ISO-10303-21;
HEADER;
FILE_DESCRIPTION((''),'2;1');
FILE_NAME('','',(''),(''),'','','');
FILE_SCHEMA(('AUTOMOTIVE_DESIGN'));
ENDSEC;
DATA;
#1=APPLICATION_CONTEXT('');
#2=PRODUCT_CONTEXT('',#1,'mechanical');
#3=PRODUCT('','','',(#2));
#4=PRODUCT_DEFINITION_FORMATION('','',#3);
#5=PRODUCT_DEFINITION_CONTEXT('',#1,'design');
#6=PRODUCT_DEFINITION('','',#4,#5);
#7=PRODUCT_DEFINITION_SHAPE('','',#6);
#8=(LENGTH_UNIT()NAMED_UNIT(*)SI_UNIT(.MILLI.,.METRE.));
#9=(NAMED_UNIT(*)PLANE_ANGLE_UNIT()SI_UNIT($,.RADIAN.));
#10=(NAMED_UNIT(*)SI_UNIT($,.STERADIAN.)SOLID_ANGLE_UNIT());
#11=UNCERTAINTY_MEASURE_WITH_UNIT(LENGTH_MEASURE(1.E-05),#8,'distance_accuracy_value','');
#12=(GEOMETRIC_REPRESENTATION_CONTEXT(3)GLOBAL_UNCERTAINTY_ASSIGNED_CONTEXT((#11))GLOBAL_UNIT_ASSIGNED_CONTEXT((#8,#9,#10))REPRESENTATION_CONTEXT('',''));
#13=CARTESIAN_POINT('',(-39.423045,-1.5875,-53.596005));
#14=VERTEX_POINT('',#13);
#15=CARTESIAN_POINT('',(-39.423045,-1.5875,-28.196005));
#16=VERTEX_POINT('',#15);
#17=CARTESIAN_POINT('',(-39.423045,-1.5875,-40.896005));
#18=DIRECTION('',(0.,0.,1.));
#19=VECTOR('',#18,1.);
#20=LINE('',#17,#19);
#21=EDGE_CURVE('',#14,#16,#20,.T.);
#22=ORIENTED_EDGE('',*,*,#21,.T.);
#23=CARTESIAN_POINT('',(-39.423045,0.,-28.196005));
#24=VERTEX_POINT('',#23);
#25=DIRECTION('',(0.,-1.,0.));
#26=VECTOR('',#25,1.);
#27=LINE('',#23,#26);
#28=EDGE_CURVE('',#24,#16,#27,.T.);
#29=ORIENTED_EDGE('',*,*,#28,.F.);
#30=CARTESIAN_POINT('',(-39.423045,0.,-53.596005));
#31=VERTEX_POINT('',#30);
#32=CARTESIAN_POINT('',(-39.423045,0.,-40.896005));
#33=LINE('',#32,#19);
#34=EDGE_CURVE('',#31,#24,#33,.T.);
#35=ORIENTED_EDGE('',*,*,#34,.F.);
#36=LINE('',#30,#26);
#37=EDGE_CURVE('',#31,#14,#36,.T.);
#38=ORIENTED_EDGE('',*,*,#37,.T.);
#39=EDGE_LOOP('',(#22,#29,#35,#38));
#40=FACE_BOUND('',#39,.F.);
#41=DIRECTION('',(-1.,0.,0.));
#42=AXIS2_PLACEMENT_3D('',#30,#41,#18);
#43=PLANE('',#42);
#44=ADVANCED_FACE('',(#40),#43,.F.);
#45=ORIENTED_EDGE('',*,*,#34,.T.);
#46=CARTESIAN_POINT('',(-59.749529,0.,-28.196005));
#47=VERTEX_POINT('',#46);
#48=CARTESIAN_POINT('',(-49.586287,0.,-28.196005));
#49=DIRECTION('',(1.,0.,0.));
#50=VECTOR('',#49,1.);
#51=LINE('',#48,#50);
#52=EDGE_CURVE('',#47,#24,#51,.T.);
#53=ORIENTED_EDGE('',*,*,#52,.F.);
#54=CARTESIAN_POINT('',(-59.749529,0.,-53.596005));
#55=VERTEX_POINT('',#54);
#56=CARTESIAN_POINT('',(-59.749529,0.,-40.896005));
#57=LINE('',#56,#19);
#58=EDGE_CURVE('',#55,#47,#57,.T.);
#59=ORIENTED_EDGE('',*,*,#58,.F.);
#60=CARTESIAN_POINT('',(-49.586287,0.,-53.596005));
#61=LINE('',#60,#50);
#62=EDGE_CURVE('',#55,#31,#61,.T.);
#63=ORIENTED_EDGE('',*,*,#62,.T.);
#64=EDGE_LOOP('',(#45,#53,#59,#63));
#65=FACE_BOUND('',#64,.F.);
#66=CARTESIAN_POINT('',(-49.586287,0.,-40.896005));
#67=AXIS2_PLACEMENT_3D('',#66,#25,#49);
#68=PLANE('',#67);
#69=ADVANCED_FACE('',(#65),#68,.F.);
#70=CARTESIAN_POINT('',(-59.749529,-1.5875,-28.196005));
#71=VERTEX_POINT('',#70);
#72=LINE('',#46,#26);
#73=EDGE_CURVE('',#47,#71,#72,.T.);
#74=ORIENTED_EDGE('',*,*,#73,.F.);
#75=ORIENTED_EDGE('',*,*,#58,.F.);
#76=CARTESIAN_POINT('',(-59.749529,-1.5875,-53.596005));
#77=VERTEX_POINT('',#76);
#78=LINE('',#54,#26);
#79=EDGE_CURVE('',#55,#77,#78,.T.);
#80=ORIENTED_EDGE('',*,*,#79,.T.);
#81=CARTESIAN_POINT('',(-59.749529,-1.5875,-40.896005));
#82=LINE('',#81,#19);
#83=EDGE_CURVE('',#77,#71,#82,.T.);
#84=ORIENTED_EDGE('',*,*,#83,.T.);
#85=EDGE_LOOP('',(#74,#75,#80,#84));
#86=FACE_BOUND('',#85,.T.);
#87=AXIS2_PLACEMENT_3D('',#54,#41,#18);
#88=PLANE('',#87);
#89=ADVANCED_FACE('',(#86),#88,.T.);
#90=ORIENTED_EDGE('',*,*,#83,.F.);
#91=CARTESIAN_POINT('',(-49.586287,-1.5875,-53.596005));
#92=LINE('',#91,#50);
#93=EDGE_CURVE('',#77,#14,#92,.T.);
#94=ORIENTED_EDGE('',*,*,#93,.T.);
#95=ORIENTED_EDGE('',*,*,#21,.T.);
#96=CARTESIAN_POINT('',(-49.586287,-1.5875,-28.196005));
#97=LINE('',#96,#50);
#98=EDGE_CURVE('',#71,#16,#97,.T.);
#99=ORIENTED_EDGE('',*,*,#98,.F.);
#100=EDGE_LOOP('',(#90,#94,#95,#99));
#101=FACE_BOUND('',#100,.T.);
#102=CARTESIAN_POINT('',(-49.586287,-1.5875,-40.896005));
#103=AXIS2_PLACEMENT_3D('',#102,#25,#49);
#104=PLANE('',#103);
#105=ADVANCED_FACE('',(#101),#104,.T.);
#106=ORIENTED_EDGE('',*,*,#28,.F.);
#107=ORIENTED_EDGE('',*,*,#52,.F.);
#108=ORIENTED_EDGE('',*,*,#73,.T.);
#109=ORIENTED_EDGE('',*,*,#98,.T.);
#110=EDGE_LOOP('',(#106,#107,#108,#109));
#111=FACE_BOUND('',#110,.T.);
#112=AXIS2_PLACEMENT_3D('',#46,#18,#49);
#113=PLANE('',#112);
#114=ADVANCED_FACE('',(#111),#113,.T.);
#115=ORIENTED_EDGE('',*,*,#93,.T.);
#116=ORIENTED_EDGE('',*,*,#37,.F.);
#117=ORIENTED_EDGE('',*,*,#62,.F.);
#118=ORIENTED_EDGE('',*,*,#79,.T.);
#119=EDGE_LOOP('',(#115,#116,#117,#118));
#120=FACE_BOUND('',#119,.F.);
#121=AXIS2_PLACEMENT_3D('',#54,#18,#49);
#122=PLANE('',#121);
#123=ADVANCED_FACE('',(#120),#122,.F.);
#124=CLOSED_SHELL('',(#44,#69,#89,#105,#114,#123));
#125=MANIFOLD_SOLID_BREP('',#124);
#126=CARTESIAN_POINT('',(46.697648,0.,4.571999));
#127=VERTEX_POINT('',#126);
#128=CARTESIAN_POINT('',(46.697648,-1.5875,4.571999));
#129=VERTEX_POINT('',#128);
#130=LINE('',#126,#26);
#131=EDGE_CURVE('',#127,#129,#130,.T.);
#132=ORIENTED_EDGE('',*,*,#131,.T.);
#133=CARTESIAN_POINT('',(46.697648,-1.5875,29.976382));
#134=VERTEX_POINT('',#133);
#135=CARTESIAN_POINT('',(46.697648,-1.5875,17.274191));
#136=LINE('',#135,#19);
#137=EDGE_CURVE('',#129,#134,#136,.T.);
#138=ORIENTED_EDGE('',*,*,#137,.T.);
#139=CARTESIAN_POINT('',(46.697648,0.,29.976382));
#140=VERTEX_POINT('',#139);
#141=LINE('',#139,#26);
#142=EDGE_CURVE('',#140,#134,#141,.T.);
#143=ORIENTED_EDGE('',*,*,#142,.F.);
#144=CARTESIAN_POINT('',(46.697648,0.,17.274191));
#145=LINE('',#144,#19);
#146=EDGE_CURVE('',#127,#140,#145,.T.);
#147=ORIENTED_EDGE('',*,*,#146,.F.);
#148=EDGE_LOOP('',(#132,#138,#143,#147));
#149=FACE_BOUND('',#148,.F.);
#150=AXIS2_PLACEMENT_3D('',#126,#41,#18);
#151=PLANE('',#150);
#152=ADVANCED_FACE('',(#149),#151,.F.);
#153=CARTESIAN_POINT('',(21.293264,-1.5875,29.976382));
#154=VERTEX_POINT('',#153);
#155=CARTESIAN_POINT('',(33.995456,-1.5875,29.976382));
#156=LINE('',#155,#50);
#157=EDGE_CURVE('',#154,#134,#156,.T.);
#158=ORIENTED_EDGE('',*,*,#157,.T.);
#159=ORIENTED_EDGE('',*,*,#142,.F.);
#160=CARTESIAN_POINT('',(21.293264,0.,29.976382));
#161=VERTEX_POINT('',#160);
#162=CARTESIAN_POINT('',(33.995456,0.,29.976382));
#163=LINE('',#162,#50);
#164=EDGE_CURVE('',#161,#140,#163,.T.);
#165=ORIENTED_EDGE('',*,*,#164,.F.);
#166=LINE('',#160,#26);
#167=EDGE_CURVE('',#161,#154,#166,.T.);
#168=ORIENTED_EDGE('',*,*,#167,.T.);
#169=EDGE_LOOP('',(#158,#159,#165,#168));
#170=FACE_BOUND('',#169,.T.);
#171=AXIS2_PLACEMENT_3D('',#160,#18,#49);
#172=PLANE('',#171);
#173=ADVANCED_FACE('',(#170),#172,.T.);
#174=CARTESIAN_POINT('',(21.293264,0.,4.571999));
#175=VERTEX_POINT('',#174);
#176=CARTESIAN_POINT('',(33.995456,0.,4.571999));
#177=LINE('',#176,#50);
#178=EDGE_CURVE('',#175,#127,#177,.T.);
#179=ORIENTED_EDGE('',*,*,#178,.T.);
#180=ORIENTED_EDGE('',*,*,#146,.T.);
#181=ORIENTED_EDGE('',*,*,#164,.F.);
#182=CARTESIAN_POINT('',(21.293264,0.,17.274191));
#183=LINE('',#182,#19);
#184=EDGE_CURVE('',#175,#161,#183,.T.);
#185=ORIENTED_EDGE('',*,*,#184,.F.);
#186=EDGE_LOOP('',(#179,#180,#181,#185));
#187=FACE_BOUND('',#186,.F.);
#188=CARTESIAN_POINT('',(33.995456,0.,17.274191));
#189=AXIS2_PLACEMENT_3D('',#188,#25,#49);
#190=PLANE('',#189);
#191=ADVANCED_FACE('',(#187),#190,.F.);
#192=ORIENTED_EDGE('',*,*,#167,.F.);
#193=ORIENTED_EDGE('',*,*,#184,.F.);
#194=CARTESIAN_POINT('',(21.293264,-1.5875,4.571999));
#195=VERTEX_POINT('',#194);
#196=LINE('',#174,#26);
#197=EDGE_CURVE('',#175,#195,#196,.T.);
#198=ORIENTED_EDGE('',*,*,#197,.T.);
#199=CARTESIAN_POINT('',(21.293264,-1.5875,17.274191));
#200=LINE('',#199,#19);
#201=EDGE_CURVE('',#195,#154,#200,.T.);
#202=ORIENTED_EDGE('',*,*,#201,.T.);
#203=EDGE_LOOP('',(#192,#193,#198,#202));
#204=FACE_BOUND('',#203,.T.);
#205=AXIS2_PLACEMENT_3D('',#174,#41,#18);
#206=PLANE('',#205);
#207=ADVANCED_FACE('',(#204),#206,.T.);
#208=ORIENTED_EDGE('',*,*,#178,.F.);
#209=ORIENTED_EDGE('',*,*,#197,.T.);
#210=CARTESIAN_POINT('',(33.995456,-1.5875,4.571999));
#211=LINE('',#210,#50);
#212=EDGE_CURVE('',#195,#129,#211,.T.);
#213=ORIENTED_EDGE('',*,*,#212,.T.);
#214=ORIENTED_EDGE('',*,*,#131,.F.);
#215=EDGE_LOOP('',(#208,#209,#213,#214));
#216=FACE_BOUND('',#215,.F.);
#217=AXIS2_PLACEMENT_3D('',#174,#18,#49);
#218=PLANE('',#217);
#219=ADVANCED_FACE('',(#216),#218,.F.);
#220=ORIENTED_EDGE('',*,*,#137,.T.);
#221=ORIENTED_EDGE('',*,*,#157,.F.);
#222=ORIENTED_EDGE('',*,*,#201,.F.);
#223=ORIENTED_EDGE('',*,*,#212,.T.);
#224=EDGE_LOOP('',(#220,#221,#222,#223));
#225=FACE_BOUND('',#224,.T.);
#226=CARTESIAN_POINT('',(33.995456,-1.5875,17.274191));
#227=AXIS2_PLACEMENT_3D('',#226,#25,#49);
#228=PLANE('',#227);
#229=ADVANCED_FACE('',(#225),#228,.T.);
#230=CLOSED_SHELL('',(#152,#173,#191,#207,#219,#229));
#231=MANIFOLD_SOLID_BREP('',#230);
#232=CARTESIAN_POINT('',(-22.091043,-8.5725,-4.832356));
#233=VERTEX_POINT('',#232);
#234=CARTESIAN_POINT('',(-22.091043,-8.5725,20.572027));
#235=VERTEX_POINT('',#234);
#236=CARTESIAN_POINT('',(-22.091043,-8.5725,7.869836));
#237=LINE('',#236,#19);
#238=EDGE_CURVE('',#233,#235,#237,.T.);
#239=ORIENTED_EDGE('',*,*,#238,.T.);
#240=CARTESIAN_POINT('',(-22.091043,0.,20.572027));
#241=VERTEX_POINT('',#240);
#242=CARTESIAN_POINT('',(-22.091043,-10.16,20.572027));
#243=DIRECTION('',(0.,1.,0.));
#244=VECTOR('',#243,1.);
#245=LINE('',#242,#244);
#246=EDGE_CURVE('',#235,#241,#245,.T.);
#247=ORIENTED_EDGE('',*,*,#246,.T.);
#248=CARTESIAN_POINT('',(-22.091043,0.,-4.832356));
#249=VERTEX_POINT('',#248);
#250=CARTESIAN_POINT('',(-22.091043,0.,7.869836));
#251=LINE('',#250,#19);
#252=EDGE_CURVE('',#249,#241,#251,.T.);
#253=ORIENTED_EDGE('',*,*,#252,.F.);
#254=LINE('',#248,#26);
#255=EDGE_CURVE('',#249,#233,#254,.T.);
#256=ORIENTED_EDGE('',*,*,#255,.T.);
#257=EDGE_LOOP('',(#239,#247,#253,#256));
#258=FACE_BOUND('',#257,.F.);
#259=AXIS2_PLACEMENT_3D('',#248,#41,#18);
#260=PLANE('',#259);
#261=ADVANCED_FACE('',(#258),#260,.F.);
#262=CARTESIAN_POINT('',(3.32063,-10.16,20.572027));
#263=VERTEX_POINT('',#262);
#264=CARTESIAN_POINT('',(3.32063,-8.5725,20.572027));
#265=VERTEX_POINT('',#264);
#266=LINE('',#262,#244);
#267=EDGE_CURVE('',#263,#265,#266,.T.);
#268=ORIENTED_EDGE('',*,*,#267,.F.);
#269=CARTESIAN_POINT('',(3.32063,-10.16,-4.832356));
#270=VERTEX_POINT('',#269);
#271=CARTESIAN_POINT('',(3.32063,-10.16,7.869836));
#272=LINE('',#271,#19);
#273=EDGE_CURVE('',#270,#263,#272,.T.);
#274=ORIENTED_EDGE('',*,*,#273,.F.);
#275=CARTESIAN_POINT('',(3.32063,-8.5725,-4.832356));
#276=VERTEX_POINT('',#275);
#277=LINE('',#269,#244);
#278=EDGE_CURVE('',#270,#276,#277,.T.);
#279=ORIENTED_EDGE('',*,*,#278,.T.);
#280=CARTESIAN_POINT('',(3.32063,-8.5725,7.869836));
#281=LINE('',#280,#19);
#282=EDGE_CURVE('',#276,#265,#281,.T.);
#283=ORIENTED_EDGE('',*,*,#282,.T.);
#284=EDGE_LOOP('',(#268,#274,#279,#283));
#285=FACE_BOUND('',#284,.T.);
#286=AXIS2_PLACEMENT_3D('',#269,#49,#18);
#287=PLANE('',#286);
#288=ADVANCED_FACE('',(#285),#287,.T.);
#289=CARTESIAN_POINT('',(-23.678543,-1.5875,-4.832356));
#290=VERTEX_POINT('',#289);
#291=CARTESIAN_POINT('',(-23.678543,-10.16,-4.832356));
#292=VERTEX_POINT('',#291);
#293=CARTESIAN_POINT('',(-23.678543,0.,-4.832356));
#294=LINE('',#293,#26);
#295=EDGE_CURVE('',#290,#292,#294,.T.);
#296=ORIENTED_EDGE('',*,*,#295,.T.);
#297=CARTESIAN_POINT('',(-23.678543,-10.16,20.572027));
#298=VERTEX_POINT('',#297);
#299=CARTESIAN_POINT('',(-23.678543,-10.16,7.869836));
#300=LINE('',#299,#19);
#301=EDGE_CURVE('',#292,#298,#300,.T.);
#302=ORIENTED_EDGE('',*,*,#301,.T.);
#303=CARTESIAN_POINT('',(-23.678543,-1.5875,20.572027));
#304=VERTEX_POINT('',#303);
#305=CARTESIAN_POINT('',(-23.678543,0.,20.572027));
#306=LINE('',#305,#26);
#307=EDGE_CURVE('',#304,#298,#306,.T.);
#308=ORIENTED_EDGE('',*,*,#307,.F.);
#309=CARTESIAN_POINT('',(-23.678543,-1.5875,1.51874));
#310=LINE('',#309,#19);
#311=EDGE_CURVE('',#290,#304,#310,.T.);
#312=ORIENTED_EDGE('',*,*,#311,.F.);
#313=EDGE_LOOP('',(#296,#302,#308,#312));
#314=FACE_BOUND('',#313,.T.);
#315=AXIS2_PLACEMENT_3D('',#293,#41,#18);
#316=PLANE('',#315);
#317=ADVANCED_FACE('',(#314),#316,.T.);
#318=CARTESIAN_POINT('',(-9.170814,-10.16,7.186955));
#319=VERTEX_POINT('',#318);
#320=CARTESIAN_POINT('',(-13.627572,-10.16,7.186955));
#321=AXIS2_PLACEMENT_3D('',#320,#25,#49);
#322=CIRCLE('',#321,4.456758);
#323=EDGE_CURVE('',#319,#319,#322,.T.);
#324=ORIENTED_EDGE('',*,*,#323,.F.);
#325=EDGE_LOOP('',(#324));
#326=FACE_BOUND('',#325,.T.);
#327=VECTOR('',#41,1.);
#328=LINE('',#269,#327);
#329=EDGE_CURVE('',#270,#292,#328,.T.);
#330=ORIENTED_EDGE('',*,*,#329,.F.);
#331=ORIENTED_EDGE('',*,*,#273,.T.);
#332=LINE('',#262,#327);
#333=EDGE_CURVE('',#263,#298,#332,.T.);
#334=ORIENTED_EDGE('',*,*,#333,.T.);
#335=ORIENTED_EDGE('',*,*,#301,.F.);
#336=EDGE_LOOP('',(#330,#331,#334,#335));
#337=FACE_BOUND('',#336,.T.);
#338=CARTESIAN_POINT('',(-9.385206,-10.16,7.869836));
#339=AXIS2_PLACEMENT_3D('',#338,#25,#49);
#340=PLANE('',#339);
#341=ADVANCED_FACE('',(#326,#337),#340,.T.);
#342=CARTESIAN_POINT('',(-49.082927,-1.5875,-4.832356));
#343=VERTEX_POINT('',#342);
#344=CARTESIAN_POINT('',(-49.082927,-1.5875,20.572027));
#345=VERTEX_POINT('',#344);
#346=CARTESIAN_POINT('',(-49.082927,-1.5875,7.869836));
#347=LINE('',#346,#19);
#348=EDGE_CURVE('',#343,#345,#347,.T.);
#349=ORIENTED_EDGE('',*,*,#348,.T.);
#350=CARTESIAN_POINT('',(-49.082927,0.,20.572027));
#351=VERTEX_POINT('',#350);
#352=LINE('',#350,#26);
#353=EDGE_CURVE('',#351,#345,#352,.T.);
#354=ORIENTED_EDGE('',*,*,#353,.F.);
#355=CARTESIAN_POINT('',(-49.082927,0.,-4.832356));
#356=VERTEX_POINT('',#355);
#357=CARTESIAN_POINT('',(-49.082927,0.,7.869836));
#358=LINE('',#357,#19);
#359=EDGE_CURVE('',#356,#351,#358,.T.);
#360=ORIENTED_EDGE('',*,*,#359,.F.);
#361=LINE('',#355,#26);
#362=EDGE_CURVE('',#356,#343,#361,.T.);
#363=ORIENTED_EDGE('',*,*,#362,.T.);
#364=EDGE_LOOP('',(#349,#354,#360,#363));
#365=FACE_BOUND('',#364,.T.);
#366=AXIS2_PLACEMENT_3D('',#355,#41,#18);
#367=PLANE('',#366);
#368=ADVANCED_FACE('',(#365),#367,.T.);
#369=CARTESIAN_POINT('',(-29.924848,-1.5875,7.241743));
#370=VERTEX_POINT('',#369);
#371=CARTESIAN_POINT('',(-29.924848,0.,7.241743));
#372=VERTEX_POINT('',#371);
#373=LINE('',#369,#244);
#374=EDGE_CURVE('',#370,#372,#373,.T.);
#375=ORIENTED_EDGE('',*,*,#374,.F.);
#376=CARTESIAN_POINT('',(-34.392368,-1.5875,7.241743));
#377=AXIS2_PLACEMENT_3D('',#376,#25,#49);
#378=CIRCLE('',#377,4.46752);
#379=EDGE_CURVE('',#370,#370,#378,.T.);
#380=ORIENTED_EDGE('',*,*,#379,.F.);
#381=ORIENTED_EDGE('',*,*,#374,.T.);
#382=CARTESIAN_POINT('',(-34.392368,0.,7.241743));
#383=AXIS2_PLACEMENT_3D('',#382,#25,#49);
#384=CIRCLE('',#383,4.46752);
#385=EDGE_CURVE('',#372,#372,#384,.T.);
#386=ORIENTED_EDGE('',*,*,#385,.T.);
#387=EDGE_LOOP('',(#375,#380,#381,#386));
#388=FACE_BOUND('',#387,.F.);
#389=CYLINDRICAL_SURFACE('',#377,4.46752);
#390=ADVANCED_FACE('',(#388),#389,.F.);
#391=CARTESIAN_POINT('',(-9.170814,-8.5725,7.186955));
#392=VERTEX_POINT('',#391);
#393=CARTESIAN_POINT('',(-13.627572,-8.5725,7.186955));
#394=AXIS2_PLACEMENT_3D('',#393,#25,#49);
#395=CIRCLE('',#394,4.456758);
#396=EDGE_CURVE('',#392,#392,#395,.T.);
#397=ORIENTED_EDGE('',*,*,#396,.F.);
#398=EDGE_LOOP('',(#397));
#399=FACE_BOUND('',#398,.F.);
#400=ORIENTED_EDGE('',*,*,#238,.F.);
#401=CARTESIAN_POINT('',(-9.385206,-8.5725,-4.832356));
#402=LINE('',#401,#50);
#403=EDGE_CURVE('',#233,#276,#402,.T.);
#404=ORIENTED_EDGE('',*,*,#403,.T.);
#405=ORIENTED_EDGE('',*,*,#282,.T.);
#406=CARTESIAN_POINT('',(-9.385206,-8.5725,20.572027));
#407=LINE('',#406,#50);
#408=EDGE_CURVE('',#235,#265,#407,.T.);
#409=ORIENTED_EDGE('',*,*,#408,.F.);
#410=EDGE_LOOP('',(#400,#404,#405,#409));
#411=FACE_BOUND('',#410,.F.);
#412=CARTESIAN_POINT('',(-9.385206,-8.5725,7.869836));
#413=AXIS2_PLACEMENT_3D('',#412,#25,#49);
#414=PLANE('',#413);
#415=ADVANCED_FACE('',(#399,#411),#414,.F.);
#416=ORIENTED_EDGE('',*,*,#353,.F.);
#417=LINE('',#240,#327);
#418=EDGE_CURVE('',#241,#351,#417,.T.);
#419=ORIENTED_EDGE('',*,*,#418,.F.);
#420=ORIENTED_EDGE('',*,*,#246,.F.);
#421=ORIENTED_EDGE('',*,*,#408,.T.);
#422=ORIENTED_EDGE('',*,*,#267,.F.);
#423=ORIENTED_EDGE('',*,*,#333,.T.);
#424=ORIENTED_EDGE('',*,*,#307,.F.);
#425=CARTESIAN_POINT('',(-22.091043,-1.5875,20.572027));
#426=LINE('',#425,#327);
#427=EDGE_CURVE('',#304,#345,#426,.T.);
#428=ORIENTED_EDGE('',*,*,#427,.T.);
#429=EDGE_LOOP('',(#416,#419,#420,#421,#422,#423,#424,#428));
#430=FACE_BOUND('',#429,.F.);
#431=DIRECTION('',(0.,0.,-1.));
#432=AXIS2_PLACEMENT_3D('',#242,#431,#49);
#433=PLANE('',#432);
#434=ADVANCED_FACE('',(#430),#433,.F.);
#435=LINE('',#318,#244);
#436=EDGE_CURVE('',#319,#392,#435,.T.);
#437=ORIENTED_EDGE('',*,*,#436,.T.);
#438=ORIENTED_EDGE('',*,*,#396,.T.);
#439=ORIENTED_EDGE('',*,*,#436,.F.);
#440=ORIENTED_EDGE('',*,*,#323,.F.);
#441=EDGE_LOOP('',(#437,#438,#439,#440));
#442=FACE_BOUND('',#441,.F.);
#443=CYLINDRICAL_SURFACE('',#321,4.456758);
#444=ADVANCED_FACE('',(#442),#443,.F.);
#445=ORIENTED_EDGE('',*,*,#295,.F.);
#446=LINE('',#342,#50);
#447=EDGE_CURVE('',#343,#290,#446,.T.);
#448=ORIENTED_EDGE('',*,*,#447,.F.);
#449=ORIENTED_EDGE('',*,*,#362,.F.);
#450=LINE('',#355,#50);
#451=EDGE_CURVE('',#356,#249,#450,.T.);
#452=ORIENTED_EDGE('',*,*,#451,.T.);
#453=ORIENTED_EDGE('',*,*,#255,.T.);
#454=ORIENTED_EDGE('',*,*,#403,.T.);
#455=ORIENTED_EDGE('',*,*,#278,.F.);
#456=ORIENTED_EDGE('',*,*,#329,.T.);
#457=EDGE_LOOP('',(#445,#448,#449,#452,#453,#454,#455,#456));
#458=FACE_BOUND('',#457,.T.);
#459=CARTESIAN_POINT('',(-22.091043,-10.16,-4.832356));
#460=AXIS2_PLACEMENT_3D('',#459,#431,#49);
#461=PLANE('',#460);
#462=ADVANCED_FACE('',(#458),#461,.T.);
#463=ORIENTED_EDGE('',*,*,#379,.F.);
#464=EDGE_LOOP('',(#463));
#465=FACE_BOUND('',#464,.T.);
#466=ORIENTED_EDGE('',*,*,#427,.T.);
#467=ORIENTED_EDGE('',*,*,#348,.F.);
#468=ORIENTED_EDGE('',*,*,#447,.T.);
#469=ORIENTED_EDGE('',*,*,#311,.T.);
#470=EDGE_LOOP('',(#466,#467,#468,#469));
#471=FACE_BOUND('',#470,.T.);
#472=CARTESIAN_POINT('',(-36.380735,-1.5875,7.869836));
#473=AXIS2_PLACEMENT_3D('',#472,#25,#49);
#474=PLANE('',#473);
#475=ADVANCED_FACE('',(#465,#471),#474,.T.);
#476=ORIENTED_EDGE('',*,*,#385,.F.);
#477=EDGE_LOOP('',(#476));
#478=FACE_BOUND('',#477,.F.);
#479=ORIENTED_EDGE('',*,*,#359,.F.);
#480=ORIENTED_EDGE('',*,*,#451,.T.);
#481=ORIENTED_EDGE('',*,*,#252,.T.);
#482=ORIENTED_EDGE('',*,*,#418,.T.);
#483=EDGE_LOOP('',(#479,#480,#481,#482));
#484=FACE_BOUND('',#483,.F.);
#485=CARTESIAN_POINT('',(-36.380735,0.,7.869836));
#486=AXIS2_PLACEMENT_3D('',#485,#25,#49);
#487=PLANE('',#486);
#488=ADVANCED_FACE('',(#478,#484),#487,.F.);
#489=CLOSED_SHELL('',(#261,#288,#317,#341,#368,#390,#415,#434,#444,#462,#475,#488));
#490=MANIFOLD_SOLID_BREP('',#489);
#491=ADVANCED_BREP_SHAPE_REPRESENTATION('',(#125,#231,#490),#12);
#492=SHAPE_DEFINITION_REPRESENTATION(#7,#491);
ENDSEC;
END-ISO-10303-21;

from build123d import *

# Parameters (mm, degrees)
F0_W      = 1.5875
F0_H      = 25.4043829627
F1_DEPTH  = 10.16
F0_W_2    = 25.4043843597
F2_DEPTH  = 1.5875
F3_W      = 25.4116732202
F3_H      = 25.4043829627
F4_DEPTH  = 1.5875
F5_W      = 20.3264839947
F5_H      = 25.4
F6_DEPTH  = 1.5875
F7_R      = 4.4567576485
F8_DEPTH  = 25.4
F9_R      = 4.4675198024
F10_DEPTH = 25.4


with BuildPart() as f1:
    # F0 (on Front) → F1 (new body)
    with BuildSketch(Plane.XZ):
        with Locations((-22.8847930461, 7.8698357102)):
            Rectangle(F0_W, F0_H)
    extrude(amount=F1_DEPTH)

    # F0 (on Front) → F2 (join)
    with BuildSketch(Plane.XZ):
        with Locations((-36.380735226, 7.8698357102)):
            Rectangle(F0_W_2, F0_H)
        with Locations((-22.8847930461, 7.8698357102)):
            Rectangle(F0_W, F0_H)
    extrude(amount=F2_DEPTH)

    # F3 (on face) → F4 (join)
    with BuildSketch(Plane.XZ.offset(10.16)):
        with Locations((-9.385206436, 7.8698357102)):
            Rectangle(F3_W, F3_H)
    extrude(amount=-F4_DEPTH)

    # F7 (on face) → F8 (cut)
    with BuildSketch(Plane.XZ.offset(10.16)):
        with Locations((-13.6275719851, 7.186954841)):
            Circle(F7_R)
    extrude(amount=-F8_DEPTH, mode=Mode.SUBTRACT)

    # F9 (on face) → F10 (cut)
    with BuildSketch(Plane.XZ.offset(1.5875)):
        with Locations((-34.3923680484, 7.2417431511)):
            Circle(F9_R)
    extrude(amount=-F10_DEPTH, mode=Mode.SUBTRACT)


with BuildPart() as f2:
    # F0 (on Front) → F2, piece 2 (new body)
    with BuildSketch(Plane.XZ):
        with Locations((33.9954560623, 17.2741909046)):
            Rectangle(F0_W_2, F0_H)
    extrude(amount=F2_DEPTH)


with BuildPart() as f6:
    # F5 (on Front) → F6 (new body)
    with BuildSketch(Plane.XZ):
        with Locations((-49.5862867683, -40.8960048437)):
            Rectangle(F5_W, F5_H)
    extrude(amount=F6_DEPTH)


solid = Compound([f1.part, f2.part, f6.part])
